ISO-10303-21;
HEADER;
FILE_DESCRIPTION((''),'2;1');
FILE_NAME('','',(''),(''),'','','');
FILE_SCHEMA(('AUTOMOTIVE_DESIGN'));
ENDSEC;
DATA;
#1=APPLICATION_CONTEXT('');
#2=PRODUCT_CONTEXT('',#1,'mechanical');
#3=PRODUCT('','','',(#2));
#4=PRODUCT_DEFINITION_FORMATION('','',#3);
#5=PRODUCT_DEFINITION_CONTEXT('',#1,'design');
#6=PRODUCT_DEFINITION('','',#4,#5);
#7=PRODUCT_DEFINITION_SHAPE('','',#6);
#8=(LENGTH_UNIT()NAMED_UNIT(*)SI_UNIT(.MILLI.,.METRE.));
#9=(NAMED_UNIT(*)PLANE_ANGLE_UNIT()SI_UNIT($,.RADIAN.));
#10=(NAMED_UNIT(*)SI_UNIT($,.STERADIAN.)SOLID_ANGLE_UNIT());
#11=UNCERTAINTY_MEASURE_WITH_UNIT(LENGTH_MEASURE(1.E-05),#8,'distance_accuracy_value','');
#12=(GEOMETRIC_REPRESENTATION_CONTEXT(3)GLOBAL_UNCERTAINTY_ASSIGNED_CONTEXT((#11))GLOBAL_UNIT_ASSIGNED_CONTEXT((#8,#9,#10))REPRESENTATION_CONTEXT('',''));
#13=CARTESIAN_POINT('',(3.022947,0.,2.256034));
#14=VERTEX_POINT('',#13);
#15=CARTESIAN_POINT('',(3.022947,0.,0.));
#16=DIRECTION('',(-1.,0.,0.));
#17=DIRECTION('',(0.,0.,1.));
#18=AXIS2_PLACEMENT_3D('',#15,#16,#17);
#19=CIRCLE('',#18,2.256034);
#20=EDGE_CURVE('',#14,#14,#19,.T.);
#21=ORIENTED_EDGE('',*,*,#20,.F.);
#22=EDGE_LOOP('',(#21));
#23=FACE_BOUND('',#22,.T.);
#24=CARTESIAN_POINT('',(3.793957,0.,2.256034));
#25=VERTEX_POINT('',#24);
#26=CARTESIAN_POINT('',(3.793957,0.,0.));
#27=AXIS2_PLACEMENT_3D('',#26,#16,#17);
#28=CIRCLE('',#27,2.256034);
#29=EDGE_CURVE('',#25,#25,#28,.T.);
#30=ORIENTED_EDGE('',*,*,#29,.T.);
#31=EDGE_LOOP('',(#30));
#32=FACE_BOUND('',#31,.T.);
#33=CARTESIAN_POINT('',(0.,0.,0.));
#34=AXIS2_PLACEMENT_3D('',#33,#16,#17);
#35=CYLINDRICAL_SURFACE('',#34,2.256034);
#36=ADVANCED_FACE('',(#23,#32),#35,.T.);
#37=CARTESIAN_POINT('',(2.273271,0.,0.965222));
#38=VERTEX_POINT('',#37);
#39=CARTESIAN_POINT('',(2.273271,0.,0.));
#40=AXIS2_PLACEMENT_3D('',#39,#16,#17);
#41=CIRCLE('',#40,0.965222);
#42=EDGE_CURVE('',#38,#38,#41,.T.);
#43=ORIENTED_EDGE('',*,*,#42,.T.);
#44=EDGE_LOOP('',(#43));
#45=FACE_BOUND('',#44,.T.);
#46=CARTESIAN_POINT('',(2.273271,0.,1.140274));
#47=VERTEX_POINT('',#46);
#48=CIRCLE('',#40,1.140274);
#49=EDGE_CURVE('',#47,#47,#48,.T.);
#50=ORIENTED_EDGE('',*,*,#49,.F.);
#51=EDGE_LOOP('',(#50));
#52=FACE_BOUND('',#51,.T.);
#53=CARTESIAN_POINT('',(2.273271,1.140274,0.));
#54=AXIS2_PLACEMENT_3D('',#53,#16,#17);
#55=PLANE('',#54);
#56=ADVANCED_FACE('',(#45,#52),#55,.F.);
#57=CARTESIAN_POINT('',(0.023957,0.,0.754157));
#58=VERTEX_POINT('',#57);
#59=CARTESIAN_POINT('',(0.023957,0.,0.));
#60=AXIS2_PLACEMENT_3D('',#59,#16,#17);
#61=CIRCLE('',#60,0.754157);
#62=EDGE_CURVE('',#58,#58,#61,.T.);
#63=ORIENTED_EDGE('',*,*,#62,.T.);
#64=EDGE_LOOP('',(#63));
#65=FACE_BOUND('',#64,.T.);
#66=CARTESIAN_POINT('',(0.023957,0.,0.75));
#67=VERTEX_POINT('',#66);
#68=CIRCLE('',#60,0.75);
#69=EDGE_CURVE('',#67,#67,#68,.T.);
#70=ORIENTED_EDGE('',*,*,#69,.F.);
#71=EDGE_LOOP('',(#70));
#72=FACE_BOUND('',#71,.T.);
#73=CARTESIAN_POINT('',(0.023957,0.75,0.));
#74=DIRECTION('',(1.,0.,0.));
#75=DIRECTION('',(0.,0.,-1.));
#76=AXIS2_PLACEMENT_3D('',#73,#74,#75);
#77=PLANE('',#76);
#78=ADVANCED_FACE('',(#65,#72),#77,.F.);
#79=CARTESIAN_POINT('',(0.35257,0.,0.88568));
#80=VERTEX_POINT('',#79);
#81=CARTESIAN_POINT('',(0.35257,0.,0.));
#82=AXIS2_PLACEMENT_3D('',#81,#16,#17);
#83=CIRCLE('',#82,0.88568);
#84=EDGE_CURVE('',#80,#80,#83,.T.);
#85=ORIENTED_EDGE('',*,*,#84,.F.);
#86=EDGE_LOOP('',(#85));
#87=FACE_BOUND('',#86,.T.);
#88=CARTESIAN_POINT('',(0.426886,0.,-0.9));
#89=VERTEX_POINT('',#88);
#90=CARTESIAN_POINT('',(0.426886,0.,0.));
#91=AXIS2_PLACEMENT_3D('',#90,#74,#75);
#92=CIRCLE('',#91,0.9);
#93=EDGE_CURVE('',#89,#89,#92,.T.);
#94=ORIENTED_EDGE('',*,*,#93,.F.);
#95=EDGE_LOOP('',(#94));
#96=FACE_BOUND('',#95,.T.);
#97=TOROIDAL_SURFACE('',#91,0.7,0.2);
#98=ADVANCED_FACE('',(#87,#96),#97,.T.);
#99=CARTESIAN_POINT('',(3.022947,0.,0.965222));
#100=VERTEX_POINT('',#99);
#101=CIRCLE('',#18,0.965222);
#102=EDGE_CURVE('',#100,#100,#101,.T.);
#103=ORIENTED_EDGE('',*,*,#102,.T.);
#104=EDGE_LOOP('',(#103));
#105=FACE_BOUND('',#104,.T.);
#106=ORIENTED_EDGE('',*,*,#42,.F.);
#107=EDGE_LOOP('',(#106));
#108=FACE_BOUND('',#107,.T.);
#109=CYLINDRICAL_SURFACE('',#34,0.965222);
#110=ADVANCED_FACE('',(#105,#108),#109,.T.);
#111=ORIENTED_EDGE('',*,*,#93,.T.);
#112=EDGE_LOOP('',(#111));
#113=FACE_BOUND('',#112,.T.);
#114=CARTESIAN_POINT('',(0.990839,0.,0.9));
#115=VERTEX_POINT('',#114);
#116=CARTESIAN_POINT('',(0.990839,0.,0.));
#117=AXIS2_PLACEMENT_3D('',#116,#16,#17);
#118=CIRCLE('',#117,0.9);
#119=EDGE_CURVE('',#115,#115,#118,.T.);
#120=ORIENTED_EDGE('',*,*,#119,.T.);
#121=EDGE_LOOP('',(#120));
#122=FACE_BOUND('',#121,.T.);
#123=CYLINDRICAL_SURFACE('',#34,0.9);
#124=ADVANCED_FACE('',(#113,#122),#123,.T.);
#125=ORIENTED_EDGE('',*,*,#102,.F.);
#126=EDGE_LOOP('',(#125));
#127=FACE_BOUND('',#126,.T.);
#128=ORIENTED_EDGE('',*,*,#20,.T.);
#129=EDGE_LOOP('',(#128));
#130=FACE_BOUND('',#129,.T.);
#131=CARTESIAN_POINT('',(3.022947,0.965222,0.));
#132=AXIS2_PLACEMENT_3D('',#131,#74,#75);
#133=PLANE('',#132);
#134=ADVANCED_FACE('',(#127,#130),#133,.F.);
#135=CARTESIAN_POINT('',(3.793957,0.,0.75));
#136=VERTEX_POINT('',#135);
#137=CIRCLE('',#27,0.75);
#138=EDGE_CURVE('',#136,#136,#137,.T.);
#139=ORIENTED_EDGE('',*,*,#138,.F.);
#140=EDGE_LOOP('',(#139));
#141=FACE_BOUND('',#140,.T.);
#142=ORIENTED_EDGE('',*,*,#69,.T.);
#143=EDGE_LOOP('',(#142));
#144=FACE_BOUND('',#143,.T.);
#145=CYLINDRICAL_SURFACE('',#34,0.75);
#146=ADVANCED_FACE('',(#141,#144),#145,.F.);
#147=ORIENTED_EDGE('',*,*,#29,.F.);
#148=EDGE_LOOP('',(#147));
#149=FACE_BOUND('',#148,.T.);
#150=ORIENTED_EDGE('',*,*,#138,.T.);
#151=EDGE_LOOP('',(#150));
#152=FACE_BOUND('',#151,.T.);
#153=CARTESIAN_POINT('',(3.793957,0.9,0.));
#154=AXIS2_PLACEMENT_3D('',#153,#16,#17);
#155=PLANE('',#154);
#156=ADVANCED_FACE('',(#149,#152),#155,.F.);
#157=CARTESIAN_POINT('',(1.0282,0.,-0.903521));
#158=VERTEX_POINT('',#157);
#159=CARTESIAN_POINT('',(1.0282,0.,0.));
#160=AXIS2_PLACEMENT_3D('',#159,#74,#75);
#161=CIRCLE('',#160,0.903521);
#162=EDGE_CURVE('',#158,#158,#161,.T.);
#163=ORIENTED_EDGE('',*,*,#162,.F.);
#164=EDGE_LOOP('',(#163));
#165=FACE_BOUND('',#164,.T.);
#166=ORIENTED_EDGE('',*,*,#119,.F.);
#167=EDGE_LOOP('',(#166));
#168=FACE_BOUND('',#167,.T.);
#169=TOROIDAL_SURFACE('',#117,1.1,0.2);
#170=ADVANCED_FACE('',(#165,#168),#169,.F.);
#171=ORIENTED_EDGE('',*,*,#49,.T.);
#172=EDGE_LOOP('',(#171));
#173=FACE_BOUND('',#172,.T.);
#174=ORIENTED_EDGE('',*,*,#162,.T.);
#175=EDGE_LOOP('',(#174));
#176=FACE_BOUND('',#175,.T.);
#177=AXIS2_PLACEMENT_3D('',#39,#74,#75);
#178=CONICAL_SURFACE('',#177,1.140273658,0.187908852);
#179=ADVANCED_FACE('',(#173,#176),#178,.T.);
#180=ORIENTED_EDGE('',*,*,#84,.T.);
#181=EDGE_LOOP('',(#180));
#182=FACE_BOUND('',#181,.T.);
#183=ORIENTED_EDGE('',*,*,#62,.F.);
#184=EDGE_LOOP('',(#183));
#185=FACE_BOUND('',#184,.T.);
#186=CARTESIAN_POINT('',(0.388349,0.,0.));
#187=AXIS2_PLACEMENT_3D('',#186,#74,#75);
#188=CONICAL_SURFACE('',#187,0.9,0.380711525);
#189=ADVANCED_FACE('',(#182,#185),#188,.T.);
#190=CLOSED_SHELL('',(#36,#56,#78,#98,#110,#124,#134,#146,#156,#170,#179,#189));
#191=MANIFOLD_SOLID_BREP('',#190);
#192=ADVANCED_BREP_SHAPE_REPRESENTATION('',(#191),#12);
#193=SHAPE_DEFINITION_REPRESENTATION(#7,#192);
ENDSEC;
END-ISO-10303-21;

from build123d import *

# Parameters (mm, degrees)
FILLET1_R = 0.2


with BuildPart() as part:
    # Sketch1 → Revolve1 (revolve)
    with BuildSketch(Plane.XY, mode=Mode.PRIVATE) as revolve1_sk:
        Polygon((0.023957278, 0.75), (0.023957278, 0.754156772), (0.388348543, 0.9), (1.009684916, 0.9), (2.273270828, 1.140273658), (2.273270828, 0.96522222), (3.022946529, 0.96522222), (3.022946529, 2.256034163), (3.793957278, 2.256034163), (3.793957278, 0.9), (3.793957278, 0.75), align=None)
    revolve(revolve1_sk.sketch.rotate(Axis((0, 0, 0), (1, 0, 0)), 90), axis=Axis((0, 0, 0), (1, 0, 0)))

    # Fillet1
    fillet1_edges = [part.edges().sort_by_distance(p)[0] for p in [
        (1.009684916, 0, -0.9),
        (0.388348543, 0, -0.9),
    ]]
    fillet(fillet1_edges, radius=FILLET1_R)


solid = part.part
